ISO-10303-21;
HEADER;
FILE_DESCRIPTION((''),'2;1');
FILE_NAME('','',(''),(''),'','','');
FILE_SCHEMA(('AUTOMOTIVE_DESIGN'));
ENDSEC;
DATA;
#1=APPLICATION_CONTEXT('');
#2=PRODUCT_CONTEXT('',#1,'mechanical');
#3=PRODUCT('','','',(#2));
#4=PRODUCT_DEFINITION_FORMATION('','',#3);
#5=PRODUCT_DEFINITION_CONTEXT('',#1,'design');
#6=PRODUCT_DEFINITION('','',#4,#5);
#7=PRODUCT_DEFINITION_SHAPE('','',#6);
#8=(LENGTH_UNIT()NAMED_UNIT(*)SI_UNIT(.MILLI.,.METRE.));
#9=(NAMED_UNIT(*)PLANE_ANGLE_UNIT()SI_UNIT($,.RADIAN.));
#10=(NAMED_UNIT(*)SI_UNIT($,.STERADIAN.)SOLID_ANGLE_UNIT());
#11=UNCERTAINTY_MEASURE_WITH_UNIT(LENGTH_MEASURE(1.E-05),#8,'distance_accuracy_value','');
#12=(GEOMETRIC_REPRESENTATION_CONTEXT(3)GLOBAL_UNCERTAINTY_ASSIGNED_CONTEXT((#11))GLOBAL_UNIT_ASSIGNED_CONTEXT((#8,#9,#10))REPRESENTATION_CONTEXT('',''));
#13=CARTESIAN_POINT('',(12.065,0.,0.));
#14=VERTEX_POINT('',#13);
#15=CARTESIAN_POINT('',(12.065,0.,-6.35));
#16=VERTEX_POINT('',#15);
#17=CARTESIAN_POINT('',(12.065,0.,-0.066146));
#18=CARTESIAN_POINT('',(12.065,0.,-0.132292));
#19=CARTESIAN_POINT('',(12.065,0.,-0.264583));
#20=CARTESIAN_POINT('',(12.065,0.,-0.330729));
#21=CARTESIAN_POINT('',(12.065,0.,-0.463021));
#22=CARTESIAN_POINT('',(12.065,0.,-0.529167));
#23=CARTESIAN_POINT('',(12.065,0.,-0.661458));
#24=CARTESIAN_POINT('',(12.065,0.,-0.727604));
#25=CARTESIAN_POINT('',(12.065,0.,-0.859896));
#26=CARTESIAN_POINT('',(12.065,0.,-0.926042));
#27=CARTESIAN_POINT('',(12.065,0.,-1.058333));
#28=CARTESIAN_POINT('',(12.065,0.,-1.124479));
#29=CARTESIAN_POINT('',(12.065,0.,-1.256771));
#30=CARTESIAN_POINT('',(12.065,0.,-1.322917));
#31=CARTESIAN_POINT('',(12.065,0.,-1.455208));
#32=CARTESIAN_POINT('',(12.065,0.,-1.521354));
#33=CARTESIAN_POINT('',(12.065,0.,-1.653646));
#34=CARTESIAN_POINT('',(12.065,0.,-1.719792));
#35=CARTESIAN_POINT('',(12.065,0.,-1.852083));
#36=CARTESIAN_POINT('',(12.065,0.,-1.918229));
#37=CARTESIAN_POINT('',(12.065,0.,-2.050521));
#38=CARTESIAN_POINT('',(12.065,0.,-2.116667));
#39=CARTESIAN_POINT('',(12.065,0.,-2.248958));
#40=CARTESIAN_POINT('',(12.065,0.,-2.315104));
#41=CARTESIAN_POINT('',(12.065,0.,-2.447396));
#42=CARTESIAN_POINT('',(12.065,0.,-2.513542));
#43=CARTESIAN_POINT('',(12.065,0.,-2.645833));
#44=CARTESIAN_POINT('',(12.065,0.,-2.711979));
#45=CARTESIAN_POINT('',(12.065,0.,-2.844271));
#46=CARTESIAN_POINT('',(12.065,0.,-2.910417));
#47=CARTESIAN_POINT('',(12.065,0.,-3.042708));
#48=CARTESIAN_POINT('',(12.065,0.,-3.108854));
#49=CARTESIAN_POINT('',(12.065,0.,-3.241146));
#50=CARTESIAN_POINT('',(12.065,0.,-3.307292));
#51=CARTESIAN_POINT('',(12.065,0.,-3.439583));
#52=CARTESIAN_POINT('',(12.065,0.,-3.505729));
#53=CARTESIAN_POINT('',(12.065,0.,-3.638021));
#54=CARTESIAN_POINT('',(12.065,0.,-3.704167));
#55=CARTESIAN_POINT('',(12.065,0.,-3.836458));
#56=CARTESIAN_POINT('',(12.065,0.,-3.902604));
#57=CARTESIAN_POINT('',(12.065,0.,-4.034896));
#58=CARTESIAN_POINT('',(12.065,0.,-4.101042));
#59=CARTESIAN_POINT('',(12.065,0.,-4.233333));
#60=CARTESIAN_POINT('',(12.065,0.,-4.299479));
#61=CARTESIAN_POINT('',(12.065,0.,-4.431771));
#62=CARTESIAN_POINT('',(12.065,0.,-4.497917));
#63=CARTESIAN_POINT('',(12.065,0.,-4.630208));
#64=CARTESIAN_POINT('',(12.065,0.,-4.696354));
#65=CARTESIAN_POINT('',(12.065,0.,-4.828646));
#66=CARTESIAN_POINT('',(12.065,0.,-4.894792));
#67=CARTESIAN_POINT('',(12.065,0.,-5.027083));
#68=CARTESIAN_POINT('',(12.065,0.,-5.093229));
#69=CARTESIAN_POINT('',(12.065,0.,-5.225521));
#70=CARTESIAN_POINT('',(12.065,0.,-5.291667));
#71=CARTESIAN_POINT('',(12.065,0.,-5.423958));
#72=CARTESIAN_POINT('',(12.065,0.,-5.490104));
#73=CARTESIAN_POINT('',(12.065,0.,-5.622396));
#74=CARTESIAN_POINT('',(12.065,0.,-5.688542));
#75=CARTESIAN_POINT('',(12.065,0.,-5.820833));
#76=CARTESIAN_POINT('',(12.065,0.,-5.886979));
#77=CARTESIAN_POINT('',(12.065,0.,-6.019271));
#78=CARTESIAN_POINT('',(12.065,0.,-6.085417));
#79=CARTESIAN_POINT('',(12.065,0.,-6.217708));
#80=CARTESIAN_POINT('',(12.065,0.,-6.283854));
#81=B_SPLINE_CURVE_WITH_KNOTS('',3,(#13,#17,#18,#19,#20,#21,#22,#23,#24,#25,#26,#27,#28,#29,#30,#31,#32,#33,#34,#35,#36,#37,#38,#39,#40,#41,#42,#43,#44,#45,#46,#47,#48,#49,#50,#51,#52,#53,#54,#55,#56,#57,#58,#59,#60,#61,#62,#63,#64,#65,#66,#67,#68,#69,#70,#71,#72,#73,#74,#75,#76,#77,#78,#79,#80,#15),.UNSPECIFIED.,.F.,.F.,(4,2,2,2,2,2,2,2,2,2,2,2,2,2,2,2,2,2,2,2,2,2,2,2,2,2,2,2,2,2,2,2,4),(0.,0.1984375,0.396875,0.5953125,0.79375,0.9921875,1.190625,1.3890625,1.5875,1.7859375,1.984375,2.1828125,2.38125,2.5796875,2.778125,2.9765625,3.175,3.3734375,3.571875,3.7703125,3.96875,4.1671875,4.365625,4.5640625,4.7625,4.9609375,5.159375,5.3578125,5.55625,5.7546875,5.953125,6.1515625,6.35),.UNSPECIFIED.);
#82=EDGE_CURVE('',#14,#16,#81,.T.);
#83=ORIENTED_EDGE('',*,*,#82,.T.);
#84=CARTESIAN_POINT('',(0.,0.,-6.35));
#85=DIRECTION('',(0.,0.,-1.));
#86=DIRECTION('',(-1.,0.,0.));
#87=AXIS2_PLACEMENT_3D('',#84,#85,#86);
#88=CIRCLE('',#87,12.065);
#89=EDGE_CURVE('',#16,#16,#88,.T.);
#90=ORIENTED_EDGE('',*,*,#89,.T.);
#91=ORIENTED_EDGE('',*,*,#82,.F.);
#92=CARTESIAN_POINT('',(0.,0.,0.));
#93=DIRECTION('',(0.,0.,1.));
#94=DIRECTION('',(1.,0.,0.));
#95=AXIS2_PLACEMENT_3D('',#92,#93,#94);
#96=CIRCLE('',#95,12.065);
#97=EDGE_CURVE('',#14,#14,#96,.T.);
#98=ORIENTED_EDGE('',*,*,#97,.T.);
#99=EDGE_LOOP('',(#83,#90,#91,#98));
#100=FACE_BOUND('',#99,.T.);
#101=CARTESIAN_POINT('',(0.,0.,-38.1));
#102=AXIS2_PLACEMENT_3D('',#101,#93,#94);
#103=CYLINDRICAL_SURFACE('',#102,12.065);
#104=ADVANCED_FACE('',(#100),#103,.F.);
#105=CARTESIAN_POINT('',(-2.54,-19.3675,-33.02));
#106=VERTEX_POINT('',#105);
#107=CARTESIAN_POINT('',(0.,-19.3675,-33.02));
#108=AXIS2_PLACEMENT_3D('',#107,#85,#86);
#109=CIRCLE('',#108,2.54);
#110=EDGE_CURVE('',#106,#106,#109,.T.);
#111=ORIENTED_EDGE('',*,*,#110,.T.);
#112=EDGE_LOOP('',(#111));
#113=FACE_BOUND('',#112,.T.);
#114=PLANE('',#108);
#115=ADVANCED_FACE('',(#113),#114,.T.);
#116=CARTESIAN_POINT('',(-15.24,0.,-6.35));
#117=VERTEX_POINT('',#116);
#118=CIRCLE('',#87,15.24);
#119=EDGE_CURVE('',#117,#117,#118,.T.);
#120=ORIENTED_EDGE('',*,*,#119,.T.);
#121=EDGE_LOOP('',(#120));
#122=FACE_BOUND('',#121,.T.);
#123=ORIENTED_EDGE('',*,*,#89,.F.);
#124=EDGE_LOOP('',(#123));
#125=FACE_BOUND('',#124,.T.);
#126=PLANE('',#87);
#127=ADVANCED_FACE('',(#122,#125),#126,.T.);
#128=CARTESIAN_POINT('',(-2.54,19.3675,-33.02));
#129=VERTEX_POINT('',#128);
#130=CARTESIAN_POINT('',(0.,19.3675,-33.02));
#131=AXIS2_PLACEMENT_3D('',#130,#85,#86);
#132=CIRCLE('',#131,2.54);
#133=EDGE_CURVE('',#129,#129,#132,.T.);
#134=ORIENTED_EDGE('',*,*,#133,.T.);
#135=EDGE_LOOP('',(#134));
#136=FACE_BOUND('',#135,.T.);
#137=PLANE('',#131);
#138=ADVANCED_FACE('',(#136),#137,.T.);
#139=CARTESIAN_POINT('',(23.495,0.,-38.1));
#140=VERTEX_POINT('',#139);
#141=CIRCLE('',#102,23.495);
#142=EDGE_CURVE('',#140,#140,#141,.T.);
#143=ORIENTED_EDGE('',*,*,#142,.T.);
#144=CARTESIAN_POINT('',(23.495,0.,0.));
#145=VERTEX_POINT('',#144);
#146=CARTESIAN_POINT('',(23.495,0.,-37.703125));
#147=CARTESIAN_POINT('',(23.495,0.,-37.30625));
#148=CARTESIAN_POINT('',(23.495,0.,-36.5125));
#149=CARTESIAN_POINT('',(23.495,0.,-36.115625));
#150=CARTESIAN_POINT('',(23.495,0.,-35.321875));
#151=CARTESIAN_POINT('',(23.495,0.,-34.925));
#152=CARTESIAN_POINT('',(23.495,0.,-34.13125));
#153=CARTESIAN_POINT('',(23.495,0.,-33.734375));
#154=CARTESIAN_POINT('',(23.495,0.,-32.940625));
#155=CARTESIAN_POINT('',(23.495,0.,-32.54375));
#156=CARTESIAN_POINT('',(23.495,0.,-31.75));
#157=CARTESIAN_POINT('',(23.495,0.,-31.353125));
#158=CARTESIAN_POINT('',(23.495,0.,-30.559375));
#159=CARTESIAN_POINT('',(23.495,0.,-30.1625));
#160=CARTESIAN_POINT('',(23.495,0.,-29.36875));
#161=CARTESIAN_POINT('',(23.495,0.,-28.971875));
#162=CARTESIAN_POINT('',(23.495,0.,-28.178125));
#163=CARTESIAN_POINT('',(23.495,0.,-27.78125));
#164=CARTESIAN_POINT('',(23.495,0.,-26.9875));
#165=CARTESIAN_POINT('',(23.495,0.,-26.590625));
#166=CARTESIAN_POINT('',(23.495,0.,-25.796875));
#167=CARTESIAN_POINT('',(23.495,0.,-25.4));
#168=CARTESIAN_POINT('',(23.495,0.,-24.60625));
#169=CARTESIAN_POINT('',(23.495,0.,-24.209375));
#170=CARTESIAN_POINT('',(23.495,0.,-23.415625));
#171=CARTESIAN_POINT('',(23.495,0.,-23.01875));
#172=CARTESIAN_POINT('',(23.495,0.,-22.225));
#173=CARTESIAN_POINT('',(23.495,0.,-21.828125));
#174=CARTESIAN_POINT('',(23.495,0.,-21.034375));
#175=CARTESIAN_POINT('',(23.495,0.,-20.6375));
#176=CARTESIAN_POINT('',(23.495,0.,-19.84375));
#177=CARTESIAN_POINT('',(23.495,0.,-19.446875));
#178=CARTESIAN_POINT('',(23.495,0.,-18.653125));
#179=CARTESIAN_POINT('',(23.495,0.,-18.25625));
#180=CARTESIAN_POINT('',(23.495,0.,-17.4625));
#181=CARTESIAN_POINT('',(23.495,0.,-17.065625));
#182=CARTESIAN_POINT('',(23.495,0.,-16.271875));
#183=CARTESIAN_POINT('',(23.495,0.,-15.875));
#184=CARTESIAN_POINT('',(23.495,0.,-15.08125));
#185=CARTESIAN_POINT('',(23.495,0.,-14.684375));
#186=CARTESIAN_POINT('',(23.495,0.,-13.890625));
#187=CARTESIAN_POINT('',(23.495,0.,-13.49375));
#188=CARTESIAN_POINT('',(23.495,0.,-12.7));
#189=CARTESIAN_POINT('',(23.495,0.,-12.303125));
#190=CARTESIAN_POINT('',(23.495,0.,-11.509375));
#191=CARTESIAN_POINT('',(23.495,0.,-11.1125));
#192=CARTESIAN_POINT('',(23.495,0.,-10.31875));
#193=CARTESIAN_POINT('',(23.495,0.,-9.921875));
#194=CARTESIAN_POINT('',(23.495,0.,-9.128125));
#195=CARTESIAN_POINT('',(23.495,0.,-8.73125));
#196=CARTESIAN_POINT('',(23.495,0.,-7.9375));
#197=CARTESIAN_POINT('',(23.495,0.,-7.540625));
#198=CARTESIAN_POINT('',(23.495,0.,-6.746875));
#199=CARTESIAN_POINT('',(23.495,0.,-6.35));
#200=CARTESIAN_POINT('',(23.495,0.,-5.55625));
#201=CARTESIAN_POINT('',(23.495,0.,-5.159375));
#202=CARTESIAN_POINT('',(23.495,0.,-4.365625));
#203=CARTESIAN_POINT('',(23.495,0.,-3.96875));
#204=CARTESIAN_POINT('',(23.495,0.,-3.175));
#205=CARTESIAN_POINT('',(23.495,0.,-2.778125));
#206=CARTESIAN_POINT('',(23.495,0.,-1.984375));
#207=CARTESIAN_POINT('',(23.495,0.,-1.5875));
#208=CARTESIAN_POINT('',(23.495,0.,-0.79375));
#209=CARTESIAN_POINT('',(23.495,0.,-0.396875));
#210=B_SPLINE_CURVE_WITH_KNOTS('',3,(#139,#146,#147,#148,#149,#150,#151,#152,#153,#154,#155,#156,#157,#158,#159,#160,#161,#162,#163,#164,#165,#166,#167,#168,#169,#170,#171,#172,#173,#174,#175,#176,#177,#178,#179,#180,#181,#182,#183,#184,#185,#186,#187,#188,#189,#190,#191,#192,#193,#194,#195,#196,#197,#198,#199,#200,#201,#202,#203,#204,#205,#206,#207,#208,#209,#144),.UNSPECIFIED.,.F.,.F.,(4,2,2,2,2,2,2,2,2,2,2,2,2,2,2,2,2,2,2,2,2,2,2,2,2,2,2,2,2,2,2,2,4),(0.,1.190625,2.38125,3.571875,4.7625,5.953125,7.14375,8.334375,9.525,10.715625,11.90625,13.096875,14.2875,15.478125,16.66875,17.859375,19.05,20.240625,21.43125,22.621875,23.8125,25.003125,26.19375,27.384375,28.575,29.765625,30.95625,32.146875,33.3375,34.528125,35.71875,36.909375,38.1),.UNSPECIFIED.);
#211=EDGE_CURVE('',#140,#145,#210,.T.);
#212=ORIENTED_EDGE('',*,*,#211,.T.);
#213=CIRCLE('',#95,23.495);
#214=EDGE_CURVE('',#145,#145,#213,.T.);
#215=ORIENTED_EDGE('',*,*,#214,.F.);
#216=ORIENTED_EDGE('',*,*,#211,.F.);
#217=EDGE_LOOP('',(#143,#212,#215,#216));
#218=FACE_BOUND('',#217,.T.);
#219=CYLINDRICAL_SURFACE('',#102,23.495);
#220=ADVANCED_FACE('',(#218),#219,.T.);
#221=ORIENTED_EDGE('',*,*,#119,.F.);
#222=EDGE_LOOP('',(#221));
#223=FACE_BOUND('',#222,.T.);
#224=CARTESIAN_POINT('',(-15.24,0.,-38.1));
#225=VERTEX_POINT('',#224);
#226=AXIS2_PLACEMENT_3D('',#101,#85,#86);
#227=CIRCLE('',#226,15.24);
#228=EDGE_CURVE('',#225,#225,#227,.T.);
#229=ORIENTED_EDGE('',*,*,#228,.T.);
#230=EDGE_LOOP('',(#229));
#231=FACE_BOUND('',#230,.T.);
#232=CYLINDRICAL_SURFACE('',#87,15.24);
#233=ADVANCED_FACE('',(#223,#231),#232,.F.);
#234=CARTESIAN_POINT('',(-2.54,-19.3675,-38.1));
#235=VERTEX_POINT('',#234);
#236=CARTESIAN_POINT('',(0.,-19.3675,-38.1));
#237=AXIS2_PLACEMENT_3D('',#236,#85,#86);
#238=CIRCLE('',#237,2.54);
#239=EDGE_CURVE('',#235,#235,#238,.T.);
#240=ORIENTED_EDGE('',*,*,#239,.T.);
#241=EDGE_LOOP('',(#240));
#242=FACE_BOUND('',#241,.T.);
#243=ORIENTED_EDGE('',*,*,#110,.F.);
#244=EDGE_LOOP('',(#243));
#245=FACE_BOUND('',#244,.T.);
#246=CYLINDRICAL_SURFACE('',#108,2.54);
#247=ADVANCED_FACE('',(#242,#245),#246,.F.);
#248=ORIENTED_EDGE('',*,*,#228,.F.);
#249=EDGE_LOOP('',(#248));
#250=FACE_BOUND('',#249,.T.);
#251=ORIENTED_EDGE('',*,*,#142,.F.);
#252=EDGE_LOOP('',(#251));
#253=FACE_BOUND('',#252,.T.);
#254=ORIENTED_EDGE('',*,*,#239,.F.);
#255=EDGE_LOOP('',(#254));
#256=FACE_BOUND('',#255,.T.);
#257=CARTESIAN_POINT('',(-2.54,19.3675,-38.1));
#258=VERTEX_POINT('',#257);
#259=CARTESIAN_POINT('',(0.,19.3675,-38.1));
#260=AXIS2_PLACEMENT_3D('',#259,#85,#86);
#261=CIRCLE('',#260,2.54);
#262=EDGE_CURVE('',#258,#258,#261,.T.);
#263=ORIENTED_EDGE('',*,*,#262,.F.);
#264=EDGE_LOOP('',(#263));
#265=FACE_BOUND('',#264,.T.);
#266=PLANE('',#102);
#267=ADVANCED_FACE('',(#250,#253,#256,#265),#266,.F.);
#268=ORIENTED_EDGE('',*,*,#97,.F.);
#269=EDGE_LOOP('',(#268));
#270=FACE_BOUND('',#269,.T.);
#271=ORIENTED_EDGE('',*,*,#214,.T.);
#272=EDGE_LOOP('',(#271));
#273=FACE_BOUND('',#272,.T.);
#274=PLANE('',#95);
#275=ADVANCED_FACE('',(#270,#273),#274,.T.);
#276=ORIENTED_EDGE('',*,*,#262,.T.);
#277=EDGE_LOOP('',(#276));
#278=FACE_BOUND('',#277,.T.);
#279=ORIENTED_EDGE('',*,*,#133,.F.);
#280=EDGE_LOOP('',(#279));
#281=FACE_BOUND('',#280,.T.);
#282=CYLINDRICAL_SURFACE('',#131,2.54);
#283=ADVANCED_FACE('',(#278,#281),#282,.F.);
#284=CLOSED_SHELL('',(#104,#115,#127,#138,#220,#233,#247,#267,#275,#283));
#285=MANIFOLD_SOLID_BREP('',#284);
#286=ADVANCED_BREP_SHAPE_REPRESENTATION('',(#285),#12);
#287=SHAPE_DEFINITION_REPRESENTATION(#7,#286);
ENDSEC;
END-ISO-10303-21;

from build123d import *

# Parameters (mm, degrees)
SKETCH1_R           = 23.495
SKETCH1_R_2         = 12.065
BOSS_EXTRUDE1_DEPTH = 38.1
CUT_EXTRUDE1_START  = -31.75
SKETCH2_R           = 15.24
SKETCH2_R_2         = 12.065
CUT_EXTRUDE1_DEPTH  = 31.75
SKETCH4_R           = 2.54
CUT_EXTRUDE5_DEPTH  = 5.08


with BuildPart() as part:
    # Sketch1 → Boss-Extrude1 (new body)
    with BuildSketch(Plane.XY):
        Circle(SKETCH1_R)
        Circle(SKETCH1_R_2, mode=Mode.SUBTRACT)
    extrude(amount=-BOSS_EXTRUDE1_DEPTH)

    # Sketch2 → Cut-Extrude1 (cut)
    with BuildSketch(Plane(origin=(0, 0, -38.1), x_dir=(-1, 0, 0), z_dir=(0, 0, -1)).offset(CUT_EXTRUDE1_START)):
        Circle(SKETCH2_R)
        with Locations(Location((0, 0, 0), (0, 0, 180))):
            Circle(SKETCH2_R_2, mode=Mode.SUBTRACT)
    extrude(amount=CUT_EXTRUDE1_DEPTH, mode=Mode.SUBTRACT)

    # Sketch4 → Cut-Extrude5 (cut)
    with BuildSketch(Plane(origin=(0, 0, -38.1), x_dir=(-1, 0, 0), z_dir=(0, 0, -1))):
        with Locations((0, 19.3675)):
            Circle(SKETCH4_R)
        with Locations((0, -19.3675)):
            Circle(SKETCH4_R)
    extrude(amount=-CUT_EXTRUDE5_DEPTH, mode=Mode.SUBTRACT)


solid = part.part
